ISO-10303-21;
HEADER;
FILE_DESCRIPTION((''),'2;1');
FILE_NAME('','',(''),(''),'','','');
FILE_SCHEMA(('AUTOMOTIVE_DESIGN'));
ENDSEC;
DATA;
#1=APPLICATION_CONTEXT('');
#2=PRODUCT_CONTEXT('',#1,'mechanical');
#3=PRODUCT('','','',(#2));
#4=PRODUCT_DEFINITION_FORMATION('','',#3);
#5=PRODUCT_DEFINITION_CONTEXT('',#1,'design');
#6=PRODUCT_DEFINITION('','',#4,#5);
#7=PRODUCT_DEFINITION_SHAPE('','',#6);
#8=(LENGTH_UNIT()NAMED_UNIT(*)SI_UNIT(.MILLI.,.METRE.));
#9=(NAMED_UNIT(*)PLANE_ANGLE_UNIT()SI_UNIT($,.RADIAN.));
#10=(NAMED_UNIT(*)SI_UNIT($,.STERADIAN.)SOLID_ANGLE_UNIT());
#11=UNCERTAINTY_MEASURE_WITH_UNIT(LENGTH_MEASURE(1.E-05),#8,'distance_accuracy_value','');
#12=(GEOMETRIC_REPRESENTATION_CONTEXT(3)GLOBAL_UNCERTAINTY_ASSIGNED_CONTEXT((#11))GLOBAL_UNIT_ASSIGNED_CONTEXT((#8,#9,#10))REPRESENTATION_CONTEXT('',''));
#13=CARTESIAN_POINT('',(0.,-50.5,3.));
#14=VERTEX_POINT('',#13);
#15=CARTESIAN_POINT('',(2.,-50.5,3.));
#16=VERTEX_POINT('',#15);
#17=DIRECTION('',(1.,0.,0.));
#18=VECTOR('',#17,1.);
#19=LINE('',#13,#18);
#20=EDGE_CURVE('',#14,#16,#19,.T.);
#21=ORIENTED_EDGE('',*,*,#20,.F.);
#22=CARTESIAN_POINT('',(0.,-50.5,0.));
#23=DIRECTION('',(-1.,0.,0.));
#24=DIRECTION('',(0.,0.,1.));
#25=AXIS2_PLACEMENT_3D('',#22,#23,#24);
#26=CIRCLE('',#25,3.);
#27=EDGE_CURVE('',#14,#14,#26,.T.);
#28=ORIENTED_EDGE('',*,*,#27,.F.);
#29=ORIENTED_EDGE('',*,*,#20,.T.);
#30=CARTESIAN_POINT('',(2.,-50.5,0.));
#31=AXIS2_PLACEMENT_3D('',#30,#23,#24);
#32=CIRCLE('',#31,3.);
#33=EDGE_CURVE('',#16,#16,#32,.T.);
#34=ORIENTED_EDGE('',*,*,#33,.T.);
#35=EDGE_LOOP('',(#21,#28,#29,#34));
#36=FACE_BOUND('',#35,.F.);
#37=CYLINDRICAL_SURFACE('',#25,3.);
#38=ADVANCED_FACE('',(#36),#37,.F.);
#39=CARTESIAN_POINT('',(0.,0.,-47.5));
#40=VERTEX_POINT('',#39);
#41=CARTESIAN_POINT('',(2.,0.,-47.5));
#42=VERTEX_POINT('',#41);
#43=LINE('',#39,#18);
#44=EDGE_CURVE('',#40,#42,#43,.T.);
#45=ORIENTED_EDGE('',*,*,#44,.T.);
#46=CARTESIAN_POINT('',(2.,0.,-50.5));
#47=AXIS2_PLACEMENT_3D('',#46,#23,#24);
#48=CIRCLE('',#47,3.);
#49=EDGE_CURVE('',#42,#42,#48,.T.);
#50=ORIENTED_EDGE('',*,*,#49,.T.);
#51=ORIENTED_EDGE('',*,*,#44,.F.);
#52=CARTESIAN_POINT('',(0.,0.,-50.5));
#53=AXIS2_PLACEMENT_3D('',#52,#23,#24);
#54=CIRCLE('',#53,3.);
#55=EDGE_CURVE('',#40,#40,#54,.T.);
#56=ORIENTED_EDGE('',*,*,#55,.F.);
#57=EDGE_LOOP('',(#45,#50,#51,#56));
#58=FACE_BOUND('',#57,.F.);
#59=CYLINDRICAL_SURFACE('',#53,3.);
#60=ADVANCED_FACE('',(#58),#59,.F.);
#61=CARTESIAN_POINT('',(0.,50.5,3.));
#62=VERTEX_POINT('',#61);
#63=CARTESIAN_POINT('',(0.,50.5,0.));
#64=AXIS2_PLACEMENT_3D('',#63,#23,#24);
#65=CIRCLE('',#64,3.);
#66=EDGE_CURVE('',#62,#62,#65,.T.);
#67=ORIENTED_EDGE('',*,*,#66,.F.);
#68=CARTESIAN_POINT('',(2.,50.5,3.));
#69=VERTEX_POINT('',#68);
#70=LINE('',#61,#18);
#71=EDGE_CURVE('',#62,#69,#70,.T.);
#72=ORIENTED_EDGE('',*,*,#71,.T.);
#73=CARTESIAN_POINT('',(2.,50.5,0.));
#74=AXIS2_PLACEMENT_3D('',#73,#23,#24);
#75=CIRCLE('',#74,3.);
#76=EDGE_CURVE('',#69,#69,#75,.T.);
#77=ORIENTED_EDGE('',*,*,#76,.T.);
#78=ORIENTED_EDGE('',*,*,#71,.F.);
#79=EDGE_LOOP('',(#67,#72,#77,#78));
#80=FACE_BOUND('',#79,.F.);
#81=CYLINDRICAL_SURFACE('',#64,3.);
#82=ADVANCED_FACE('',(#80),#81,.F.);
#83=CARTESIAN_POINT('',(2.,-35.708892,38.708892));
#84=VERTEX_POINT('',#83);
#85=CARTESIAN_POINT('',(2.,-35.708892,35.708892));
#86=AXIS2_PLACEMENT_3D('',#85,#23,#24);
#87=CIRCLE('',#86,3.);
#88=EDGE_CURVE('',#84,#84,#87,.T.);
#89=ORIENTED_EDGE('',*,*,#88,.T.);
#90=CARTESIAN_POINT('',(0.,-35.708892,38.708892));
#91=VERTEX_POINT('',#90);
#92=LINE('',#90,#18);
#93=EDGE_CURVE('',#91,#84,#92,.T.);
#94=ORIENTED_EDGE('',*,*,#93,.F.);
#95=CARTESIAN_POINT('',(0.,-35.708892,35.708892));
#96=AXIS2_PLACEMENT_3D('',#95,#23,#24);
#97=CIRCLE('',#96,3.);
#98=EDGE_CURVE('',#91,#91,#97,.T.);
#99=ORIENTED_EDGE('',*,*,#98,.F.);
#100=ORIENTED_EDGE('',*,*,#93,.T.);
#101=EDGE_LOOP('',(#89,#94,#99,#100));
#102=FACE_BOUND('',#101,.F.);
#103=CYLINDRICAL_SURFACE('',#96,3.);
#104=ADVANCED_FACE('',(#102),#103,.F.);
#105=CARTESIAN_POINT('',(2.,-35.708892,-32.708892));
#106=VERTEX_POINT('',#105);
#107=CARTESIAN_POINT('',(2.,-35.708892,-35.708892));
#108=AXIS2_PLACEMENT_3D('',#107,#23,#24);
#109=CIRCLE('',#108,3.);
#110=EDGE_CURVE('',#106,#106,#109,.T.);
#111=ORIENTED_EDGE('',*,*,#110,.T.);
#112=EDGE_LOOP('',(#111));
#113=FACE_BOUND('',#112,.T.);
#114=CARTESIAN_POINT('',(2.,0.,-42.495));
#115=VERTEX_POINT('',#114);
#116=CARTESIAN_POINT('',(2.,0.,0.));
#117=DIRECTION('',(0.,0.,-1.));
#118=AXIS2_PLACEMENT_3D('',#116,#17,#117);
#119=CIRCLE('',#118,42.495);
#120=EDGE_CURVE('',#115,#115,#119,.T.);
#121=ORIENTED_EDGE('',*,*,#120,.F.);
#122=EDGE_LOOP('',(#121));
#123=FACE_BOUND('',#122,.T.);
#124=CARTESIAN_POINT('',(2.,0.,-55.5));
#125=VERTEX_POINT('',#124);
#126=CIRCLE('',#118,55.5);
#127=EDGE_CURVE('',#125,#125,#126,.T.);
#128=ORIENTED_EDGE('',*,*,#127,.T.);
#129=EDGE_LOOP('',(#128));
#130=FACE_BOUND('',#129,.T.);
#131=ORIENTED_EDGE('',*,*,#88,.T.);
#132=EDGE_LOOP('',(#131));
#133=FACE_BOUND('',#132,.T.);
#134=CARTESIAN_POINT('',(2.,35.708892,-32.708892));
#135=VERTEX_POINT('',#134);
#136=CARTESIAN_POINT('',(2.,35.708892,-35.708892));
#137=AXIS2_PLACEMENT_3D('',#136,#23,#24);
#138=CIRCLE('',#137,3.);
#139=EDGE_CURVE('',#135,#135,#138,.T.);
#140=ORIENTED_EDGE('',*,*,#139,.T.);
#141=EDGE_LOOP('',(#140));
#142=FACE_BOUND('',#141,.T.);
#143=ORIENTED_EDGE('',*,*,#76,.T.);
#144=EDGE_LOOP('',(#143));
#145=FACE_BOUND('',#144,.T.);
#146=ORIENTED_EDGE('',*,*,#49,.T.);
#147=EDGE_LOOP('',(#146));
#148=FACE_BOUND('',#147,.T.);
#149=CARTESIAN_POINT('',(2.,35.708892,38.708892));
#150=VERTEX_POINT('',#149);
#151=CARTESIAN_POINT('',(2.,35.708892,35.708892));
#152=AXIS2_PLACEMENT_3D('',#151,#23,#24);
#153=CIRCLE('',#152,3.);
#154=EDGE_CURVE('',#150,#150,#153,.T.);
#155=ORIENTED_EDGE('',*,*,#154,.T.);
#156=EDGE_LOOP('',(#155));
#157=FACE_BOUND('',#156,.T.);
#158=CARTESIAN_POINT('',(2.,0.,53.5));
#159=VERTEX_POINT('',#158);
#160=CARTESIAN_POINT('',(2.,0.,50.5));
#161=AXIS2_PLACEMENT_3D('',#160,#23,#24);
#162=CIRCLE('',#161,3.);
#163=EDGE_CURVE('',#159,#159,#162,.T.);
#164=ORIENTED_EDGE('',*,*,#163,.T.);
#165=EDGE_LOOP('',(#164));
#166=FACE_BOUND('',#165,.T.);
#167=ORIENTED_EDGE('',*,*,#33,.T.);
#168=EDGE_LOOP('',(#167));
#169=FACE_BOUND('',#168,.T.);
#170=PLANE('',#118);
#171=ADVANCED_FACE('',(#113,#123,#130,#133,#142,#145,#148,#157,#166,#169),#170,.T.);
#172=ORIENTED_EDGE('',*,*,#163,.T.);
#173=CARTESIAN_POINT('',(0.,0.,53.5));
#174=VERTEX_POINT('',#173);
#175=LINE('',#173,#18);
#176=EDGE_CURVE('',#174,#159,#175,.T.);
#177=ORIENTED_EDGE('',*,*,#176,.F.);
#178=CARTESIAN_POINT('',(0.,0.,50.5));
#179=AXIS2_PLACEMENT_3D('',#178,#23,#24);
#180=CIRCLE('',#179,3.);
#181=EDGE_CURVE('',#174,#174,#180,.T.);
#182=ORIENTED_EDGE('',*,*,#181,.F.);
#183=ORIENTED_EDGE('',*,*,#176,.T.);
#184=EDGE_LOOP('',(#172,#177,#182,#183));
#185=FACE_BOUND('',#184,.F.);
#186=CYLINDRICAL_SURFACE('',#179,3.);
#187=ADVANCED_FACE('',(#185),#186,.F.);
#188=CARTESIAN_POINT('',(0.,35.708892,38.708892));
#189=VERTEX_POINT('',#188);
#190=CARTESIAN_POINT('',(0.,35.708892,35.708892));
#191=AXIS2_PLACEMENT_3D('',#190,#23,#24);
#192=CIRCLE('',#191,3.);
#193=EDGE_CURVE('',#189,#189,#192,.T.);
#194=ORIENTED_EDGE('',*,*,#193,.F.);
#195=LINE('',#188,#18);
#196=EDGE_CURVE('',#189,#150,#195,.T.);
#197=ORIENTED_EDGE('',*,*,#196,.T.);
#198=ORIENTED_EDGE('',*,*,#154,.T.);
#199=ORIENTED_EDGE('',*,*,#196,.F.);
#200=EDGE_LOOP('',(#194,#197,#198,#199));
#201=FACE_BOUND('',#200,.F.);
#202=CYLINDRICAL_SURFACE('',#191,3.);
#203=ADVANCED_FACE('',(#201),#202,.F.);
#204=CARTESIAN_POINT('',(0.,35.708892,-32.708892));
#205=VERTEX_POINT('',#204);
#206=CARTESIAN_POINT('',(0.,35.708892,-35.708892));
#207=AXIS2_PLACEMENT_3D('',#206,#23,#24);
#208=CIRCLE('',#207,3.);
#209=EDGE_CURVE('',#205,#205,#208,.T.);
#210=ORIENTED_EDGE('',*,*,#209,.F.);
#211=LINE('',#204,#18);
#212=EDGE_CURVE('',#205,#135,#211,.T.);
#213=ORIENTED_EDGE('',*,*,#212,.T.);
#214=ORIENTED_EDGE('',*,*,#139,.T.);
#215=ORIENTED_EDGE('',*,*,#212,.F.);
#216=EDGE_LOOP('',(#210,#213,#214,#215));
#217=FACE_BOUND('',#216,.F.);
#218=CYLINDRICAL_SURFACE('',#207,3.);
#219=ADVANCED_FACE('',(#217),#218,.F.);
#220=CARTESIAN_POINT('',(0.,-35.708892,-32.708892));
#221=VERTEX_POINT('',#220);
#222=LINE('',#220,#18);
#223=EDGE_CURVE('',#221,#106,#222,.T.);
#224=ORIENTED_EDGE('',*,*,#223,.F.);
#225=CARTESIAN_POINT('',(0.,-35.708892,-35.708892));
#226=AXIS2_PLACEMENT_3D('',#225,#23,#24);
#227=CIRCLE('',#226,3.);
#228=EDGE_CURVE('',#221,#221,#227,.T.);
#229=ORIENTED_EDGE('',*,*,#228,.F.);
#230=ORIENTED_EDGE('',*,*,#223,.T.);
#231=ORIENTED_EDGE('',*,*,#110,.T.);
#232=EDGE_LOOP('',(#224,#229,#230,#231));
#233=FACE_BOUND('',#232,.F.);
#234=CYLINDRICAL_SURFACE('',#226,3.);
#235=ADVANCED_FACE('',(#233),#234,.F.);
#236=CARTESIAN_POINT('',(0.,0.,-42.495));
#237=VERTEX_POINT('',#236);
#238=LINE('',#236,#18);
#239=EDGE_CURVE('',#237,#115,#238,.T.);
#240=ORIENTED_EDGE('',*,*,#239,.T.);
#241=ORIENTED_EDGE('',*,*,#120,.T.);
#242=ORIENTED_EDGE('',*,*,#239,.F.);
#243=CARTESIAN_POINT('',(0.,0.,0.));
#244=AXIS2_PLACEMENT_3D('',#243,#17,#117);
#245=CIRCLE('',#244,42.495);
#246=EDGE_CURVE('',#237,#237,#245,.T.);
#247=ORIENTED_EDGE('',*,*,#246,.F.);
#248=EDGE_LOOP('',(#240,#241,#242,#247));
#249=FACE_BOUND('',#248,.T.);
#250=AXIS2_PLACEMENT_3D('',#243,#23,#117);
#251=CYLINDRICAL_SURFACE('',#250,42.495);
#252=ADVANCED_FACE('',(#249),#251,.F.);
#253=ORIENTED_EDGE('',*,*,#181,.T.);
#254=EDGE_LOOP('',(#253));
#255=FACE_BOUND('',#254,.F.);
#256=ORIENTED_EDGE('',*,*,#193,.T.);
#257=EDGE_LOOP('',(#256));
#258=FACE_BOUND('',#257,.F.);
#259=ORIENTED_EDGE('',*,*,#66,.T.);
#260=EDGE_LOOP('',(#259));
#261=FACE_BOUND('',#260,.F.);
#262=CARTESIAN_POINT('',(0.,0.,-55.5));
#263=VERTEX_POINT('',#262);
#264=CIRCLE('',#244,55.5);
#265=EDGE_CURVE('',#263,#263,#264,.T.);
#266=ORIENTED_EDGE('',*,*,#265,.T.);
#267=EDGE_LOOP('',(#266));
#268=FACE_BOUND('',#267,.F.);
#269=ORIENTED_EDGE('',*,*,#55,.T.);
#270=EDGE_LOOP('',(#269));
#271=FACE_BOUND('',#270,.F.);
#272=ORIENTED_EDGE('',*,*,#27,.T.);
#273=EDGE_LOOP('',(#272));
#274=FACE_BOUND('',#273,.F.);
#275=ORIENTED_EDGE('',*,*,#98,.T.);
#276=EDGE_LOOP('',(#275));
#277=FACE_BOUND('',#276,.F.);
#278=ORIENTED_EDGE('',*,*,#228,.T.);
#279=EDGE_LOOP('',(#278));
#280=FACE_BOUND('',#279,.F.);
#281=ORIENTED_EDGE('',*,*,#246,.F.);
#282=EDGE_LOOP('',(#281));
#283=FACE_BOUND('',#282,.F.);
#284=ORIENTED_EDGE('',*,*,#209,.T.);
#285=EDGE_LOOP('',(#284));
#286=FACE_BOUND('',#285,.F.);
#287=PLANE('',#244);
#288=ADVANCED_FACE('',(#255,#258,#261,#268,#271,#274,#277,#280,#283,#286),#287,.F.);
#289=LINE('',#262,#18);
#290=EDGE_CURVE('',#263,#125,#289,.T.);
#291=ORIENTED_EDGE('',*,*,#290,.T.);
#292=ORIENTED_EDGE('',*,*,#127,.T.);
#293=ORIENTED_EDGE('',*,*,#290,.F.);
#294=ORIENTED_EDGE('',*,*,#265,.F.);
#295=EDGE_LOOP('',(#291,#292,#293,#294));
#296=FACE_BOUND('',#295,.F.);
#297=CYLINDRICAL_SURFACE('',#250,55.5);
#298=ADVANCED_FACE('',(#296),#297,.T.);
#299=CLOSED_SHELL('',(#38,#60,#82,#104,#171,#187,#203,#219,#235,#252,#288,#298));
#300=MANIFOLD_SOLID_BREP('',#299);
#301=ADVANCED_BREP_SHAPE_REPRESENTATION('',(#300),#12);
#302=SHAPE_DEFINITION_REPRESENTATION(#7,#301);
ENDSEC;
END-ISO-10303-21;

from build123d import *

# Parameters (mm, degrees)
SKETCH1_R           = 55.5
SKETCH1_R_2         = 42.495
BOSS_EXTRUDE1_DEPTH = 2
SKETCH2_R           = 3
CUT_EXTRUDE1_DEPTH  = 15


with BuildPart() as part:
    # Sketch1 → Boss-Extrude1 (new body)
    with BuildSketch(Plane(origin=(0, 0, 0), x_dir=(0, 0, -1), z_dir=(1, 0, 0))):
        Circle(SKETCH1_R)
        Circle(SKETCH1_R_2, mode=Mode.SUBTRACT)
    extrude(amount=BOSS_EXTRUDE1_DEPTH)

    # Sketch2 → Cut-Extrude1 (cut)
    with BuildSketch(Plane.ZY):
        with Locations((0, 50.5)):
            Circle(SKETCH2_R)
        with Locations((35.70889245, 35.70889245)):
            Circle(SKETCH2_R)
        with Locations((50.5, 0)):
            Circle(SKETCH2_R)
        with Locations((35.70889245, -35.70889245)):
            Circle(SKETCH2_R)
        with Locations((0, -50.5)):
            Circle(SKETCH2_R)
        with Locations((-35.70889245, -35.70889245)):
            Circle(SKETCH2_R)
        with Locations((-50.5, 0)):
            Circle(SKETCH2_R)
        with Locations((-35.70889245, 35.70889245)):
            Circle(SKETCH2_R)
    extrude(amount=-CUT_EXTRUDE1_DEPTH, mode=Mode.SUBTRACT)


solid = part.part
